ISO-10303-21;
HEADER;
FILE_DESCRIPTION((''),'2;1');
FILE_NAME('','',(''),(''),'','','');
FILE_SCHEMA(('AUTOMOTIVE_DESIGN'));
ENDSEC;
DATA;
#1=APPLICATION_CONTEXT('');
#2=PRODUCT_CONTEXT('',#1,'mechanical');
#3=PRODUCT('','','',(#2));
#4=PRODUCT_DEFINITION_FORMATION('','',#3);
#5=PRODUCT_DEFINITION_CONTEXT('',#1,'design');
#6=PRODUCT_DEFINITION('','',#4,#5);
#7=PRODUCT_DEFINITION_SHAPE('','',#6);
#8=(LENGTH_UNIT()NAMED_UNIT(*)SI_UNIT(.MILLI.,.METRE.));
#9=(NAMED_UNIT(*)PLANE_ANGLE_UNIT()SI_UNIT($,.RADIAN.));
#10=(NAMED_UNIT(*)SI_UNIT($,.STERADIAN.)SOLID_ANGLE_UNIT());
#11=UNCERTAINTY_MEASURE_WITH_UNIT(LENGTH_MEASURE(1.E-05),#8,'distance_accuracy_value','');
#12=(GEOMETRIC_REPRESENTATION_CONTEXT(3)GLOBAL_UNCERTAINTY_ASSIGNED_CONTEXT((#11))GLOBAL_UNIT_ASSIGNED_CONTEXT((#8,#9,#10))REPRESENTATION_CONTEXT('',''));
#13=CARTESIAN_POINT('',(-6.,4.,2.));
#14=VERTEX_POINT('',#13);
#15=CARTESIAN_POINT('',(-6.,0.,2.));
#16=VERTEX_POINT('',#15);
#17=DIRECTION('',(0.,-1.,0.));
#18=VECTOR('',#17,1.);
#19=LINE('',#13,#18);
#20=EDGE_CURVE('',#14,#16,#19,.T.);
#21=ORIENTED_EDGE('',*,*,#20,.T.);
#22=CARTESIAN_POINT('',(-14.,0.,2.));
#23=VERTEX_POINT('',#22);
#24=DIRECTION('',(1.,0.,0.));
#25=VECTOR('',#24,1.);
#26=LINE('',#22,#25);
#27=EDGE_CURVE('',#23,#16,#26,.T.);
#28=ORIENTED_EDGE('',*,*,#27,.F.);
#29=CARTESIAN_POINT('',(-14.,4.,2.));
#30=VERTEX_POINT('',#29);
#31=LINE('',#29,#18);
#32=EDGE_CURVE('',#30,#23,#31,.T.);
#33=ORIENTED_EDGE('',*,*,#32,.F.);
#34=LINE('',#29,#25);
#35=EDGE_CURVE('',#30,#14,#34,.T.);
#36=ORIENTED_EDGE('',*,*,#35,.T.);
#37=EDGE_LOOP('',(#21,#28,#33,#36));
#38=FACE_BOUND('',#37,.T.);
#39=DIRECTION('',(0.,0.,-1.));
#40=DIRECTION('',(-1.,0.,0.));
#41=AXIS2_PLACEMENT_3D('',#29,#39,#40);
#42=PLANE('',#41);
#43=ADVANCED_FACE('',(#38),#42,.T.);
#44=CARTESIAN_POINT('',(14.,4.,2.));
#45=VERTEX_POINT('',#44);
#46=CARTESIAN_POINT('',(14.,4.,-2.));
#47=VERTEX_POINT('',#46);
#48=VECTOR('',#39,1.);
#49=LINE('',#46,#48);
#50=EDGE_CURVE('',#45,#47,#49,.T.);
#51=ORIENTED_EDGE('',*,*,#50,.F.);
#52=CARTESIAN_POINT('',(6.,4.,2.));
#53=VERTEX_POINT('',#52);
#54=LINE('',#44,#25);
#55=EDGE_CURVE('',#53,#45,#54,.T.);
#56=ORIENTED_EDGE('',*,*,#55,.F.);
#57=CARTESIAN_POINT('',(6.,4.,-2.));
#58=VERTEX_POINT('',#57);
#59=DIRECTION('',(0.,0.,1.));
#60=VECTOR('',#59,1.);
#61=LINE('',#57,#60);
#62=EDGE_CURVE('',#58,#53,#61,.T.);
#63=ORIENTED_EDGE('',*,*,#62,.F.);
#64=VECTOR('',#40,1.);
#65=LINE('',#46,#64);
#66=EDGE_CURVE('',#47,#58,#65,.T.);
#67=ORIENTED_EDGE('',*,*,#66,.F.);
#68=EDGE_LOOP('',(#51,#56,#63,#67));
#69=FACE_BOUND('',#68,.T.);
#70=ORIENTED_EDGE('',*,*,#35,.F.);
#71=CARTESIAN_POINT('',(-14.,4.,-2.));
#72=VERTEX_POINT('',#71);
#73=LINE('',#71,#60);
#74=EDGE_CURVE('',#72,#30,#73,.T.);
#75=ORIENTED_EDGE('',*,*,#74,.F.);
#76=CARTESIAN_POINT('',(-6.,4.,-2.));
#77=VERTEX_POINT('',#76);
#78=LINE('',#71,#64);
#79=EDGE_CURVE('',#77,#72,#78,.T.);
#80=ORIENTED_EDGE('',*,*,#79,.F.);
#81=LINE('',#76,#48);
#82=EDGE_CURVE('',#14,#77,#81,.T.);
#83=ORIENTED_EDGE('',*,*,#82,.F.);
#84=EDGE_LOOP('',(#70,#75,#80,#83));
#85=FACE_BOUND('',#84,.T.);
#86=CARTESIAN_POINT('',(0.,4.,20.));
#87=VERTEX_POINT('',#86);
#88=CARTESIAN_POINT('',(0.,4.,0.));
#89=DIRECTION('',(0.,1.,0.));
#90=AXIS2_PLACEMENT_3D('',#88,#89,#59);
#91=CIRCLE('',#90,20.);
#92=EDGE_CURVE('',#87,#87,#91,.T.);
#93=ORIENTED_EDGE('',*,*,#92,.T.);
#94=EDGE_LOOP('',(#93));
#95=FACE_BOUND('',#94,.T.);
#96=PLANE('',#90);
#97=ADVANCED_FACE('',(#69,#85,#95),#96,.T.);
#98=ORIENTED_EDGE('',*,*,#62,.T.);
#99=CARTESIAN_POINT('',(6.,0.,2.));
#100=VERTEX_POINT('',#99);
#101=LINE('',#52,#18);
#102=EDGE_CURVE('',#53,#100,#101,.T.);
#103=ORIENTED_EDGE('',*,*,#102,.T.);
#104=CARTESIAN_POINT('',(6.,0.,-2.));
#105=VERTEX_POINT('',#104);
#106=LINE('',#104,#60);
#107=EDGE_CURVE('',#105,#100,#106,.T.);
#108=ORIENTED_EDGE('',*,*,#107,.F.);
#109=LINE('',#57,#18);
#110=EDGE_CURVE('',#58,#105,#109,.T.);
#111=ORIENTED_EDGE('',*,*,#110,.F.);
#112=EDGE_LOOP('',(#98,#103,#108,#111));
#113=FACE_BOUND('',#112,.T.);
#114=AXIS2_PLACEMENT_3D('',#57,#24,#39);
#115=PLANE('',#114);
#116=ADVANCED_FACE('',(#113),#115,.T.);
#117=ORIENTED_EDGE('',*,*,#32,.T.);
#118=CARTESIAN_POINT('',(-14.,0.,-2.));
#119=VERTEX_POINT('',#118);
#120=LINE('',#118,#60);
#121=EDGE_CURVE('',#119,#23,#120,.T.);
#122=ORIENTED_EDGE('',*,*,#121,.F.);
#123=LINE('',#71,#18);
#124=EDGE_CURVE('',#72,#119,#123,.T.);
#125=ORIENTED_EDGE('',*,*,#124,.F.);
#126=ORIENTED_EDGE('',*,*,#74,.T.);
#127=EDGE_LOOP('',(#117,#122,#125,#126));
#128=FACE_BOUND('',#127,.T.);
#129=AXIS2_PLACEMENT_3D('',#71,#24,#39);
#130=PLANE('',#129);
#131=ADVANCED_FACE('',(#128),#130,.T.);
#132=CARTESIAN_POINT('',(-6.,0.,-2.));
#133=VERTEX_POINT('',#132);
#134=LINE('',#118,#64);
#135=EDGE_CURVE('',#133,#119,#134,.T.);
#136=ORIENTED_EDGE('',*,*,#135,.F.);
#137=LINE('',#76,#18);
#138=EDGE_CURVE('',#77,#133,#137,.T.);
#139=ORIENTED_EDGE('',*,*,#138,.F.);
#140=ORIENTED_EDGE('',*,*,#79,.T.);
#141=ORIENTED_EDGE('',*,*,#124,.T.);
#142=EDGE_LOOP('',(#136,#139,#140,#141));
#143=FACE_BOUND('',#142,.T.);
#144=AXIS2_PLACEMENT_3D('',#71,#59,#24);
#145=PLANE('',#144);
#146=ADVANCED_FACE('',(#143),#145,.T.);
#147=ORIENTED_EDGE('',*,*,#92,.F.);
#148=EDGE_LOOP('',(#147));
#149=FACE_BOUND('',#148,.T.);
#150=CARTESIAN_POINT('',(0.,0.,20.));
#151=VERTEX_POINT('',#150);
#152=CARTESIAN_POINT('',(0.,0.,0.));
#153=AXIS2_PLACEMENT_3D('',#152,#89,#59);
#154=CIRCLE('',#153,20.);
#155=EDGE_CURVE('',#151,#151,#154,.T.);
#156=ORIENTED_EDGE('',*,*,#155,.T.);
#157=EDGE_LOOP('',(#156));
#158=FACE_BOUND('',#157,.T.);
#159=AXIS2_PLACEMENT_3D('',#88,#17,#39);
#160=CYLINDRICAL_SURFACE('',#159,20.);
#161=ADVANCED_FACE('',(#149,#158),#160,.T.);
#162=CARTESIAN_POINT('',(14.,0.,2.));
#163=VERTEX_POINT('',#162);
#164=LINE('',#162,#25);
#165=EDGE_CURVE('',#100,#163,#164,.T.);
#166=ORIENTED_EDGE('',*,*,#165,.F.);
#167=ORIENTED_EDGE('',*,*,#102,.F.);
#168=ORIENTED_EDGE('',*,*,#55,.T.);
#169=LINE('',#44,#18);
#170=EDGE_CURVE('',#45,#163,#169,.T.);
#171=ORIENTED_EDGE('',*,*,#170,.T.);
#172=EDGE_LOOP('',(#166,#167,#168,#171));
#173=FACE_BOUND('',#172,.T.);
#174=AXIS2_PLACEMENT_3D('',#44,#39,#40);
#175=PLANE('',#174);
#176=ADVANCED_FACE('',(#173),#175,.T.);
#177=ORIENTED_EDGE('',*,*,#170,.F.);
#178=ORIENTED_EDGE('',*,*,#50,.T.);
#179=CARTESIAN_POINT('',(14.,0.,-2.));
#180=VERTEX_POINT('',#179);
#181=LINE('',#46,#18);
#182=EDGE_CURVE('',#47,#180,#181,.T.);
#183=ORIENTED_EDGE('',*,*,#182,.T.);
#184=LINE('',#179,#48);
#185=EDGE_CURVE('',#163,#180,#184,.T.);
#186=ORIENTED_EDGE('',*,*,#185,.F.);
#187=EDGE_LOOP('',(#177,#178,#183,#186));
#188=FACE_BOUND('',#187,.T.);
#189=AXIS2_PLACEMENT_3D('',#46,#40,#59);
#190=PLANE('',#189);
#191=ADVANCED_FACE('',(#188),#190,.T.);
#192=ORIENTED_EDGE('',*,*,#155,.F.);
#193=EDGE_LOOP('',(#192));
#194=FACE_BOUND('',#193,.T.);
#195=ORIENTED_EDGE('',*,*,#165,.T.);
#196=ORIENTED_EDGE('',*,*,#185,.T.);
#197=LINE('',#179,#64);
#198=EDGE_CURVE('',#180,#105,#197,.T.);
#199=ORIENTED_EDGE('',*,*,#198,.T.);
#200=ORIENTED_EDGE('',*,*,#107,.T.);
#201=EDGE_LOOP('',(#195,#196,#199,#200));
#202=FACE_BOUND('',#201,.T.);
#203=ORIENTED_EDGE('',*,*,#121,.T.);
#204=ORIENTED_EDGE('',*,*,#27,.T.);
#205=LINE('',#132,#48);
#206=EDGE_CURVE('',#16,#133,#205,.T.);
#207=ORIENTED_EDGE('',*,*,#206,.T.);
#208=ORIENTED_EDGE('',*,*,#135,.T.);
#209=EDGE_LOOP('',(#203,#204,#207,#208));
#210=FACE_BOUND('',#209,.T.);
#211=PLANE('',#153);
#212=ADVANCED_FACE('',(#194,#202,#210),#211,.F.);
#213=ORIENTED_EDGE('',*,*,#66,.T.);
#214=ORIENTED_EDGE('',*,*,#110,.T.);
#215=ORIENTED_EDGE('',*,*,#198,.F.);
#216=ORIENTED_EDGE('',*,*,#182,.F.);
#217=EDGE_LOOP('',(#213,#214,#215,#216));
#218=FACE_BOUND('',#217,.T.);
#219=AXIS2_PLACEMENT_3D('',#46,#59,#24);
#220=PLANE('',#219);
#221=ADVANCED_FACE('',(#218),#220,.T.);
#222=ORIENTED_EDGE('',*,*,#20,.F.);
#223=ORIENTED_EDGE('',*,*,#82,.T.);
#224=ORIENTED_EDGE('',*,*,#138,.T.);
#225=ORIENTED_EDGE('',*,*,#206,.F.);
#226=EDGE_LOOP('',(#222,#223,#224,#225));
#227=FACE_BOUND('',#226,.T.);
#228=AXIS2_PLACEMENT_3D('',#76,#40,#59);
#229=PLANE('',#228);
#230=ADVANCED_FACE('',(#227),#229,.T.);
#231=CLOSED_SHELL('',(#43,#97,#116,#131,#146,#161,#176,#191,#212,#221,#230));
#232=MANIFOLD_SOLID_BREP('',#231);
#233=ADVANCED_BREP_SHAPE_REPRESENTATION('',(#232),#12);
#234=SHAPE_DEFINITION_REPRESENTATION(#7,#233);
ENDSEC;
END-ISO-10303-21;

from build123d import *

# Parameters (mm, degrees)
SKETCH1_R           = 20
SKETCH1_W           = 8
SKETCH1_H           = 4
BOSS_EXTRUDE1_DEPTH = 4


with BuildPart() as part:
    # Sketch1 → Boss-Extrude1 (new body)
    with BuildSketch(Plane(origin=(0, 0, 0), x_dir=(1, 0, 0), z_dir=(0, 1, 0))):
        with Locations(Location((0, 0, 0), (0, 0, 270))):
            Circle(SKETCH1_R)
        with Locations((-10, 0)):
            Rectangle(SKETCH1_W, SKETCH1_H, mode=Mode.SUBTRACT)
        with Locations((10, 0)):
            Rectangle(SKETCH1_W, SKETCH1_H, mode=Mode.SUBTRACT)
    extrude(amount=BOSS_EXTRUDE1_DEPTH)


solid = part.part
